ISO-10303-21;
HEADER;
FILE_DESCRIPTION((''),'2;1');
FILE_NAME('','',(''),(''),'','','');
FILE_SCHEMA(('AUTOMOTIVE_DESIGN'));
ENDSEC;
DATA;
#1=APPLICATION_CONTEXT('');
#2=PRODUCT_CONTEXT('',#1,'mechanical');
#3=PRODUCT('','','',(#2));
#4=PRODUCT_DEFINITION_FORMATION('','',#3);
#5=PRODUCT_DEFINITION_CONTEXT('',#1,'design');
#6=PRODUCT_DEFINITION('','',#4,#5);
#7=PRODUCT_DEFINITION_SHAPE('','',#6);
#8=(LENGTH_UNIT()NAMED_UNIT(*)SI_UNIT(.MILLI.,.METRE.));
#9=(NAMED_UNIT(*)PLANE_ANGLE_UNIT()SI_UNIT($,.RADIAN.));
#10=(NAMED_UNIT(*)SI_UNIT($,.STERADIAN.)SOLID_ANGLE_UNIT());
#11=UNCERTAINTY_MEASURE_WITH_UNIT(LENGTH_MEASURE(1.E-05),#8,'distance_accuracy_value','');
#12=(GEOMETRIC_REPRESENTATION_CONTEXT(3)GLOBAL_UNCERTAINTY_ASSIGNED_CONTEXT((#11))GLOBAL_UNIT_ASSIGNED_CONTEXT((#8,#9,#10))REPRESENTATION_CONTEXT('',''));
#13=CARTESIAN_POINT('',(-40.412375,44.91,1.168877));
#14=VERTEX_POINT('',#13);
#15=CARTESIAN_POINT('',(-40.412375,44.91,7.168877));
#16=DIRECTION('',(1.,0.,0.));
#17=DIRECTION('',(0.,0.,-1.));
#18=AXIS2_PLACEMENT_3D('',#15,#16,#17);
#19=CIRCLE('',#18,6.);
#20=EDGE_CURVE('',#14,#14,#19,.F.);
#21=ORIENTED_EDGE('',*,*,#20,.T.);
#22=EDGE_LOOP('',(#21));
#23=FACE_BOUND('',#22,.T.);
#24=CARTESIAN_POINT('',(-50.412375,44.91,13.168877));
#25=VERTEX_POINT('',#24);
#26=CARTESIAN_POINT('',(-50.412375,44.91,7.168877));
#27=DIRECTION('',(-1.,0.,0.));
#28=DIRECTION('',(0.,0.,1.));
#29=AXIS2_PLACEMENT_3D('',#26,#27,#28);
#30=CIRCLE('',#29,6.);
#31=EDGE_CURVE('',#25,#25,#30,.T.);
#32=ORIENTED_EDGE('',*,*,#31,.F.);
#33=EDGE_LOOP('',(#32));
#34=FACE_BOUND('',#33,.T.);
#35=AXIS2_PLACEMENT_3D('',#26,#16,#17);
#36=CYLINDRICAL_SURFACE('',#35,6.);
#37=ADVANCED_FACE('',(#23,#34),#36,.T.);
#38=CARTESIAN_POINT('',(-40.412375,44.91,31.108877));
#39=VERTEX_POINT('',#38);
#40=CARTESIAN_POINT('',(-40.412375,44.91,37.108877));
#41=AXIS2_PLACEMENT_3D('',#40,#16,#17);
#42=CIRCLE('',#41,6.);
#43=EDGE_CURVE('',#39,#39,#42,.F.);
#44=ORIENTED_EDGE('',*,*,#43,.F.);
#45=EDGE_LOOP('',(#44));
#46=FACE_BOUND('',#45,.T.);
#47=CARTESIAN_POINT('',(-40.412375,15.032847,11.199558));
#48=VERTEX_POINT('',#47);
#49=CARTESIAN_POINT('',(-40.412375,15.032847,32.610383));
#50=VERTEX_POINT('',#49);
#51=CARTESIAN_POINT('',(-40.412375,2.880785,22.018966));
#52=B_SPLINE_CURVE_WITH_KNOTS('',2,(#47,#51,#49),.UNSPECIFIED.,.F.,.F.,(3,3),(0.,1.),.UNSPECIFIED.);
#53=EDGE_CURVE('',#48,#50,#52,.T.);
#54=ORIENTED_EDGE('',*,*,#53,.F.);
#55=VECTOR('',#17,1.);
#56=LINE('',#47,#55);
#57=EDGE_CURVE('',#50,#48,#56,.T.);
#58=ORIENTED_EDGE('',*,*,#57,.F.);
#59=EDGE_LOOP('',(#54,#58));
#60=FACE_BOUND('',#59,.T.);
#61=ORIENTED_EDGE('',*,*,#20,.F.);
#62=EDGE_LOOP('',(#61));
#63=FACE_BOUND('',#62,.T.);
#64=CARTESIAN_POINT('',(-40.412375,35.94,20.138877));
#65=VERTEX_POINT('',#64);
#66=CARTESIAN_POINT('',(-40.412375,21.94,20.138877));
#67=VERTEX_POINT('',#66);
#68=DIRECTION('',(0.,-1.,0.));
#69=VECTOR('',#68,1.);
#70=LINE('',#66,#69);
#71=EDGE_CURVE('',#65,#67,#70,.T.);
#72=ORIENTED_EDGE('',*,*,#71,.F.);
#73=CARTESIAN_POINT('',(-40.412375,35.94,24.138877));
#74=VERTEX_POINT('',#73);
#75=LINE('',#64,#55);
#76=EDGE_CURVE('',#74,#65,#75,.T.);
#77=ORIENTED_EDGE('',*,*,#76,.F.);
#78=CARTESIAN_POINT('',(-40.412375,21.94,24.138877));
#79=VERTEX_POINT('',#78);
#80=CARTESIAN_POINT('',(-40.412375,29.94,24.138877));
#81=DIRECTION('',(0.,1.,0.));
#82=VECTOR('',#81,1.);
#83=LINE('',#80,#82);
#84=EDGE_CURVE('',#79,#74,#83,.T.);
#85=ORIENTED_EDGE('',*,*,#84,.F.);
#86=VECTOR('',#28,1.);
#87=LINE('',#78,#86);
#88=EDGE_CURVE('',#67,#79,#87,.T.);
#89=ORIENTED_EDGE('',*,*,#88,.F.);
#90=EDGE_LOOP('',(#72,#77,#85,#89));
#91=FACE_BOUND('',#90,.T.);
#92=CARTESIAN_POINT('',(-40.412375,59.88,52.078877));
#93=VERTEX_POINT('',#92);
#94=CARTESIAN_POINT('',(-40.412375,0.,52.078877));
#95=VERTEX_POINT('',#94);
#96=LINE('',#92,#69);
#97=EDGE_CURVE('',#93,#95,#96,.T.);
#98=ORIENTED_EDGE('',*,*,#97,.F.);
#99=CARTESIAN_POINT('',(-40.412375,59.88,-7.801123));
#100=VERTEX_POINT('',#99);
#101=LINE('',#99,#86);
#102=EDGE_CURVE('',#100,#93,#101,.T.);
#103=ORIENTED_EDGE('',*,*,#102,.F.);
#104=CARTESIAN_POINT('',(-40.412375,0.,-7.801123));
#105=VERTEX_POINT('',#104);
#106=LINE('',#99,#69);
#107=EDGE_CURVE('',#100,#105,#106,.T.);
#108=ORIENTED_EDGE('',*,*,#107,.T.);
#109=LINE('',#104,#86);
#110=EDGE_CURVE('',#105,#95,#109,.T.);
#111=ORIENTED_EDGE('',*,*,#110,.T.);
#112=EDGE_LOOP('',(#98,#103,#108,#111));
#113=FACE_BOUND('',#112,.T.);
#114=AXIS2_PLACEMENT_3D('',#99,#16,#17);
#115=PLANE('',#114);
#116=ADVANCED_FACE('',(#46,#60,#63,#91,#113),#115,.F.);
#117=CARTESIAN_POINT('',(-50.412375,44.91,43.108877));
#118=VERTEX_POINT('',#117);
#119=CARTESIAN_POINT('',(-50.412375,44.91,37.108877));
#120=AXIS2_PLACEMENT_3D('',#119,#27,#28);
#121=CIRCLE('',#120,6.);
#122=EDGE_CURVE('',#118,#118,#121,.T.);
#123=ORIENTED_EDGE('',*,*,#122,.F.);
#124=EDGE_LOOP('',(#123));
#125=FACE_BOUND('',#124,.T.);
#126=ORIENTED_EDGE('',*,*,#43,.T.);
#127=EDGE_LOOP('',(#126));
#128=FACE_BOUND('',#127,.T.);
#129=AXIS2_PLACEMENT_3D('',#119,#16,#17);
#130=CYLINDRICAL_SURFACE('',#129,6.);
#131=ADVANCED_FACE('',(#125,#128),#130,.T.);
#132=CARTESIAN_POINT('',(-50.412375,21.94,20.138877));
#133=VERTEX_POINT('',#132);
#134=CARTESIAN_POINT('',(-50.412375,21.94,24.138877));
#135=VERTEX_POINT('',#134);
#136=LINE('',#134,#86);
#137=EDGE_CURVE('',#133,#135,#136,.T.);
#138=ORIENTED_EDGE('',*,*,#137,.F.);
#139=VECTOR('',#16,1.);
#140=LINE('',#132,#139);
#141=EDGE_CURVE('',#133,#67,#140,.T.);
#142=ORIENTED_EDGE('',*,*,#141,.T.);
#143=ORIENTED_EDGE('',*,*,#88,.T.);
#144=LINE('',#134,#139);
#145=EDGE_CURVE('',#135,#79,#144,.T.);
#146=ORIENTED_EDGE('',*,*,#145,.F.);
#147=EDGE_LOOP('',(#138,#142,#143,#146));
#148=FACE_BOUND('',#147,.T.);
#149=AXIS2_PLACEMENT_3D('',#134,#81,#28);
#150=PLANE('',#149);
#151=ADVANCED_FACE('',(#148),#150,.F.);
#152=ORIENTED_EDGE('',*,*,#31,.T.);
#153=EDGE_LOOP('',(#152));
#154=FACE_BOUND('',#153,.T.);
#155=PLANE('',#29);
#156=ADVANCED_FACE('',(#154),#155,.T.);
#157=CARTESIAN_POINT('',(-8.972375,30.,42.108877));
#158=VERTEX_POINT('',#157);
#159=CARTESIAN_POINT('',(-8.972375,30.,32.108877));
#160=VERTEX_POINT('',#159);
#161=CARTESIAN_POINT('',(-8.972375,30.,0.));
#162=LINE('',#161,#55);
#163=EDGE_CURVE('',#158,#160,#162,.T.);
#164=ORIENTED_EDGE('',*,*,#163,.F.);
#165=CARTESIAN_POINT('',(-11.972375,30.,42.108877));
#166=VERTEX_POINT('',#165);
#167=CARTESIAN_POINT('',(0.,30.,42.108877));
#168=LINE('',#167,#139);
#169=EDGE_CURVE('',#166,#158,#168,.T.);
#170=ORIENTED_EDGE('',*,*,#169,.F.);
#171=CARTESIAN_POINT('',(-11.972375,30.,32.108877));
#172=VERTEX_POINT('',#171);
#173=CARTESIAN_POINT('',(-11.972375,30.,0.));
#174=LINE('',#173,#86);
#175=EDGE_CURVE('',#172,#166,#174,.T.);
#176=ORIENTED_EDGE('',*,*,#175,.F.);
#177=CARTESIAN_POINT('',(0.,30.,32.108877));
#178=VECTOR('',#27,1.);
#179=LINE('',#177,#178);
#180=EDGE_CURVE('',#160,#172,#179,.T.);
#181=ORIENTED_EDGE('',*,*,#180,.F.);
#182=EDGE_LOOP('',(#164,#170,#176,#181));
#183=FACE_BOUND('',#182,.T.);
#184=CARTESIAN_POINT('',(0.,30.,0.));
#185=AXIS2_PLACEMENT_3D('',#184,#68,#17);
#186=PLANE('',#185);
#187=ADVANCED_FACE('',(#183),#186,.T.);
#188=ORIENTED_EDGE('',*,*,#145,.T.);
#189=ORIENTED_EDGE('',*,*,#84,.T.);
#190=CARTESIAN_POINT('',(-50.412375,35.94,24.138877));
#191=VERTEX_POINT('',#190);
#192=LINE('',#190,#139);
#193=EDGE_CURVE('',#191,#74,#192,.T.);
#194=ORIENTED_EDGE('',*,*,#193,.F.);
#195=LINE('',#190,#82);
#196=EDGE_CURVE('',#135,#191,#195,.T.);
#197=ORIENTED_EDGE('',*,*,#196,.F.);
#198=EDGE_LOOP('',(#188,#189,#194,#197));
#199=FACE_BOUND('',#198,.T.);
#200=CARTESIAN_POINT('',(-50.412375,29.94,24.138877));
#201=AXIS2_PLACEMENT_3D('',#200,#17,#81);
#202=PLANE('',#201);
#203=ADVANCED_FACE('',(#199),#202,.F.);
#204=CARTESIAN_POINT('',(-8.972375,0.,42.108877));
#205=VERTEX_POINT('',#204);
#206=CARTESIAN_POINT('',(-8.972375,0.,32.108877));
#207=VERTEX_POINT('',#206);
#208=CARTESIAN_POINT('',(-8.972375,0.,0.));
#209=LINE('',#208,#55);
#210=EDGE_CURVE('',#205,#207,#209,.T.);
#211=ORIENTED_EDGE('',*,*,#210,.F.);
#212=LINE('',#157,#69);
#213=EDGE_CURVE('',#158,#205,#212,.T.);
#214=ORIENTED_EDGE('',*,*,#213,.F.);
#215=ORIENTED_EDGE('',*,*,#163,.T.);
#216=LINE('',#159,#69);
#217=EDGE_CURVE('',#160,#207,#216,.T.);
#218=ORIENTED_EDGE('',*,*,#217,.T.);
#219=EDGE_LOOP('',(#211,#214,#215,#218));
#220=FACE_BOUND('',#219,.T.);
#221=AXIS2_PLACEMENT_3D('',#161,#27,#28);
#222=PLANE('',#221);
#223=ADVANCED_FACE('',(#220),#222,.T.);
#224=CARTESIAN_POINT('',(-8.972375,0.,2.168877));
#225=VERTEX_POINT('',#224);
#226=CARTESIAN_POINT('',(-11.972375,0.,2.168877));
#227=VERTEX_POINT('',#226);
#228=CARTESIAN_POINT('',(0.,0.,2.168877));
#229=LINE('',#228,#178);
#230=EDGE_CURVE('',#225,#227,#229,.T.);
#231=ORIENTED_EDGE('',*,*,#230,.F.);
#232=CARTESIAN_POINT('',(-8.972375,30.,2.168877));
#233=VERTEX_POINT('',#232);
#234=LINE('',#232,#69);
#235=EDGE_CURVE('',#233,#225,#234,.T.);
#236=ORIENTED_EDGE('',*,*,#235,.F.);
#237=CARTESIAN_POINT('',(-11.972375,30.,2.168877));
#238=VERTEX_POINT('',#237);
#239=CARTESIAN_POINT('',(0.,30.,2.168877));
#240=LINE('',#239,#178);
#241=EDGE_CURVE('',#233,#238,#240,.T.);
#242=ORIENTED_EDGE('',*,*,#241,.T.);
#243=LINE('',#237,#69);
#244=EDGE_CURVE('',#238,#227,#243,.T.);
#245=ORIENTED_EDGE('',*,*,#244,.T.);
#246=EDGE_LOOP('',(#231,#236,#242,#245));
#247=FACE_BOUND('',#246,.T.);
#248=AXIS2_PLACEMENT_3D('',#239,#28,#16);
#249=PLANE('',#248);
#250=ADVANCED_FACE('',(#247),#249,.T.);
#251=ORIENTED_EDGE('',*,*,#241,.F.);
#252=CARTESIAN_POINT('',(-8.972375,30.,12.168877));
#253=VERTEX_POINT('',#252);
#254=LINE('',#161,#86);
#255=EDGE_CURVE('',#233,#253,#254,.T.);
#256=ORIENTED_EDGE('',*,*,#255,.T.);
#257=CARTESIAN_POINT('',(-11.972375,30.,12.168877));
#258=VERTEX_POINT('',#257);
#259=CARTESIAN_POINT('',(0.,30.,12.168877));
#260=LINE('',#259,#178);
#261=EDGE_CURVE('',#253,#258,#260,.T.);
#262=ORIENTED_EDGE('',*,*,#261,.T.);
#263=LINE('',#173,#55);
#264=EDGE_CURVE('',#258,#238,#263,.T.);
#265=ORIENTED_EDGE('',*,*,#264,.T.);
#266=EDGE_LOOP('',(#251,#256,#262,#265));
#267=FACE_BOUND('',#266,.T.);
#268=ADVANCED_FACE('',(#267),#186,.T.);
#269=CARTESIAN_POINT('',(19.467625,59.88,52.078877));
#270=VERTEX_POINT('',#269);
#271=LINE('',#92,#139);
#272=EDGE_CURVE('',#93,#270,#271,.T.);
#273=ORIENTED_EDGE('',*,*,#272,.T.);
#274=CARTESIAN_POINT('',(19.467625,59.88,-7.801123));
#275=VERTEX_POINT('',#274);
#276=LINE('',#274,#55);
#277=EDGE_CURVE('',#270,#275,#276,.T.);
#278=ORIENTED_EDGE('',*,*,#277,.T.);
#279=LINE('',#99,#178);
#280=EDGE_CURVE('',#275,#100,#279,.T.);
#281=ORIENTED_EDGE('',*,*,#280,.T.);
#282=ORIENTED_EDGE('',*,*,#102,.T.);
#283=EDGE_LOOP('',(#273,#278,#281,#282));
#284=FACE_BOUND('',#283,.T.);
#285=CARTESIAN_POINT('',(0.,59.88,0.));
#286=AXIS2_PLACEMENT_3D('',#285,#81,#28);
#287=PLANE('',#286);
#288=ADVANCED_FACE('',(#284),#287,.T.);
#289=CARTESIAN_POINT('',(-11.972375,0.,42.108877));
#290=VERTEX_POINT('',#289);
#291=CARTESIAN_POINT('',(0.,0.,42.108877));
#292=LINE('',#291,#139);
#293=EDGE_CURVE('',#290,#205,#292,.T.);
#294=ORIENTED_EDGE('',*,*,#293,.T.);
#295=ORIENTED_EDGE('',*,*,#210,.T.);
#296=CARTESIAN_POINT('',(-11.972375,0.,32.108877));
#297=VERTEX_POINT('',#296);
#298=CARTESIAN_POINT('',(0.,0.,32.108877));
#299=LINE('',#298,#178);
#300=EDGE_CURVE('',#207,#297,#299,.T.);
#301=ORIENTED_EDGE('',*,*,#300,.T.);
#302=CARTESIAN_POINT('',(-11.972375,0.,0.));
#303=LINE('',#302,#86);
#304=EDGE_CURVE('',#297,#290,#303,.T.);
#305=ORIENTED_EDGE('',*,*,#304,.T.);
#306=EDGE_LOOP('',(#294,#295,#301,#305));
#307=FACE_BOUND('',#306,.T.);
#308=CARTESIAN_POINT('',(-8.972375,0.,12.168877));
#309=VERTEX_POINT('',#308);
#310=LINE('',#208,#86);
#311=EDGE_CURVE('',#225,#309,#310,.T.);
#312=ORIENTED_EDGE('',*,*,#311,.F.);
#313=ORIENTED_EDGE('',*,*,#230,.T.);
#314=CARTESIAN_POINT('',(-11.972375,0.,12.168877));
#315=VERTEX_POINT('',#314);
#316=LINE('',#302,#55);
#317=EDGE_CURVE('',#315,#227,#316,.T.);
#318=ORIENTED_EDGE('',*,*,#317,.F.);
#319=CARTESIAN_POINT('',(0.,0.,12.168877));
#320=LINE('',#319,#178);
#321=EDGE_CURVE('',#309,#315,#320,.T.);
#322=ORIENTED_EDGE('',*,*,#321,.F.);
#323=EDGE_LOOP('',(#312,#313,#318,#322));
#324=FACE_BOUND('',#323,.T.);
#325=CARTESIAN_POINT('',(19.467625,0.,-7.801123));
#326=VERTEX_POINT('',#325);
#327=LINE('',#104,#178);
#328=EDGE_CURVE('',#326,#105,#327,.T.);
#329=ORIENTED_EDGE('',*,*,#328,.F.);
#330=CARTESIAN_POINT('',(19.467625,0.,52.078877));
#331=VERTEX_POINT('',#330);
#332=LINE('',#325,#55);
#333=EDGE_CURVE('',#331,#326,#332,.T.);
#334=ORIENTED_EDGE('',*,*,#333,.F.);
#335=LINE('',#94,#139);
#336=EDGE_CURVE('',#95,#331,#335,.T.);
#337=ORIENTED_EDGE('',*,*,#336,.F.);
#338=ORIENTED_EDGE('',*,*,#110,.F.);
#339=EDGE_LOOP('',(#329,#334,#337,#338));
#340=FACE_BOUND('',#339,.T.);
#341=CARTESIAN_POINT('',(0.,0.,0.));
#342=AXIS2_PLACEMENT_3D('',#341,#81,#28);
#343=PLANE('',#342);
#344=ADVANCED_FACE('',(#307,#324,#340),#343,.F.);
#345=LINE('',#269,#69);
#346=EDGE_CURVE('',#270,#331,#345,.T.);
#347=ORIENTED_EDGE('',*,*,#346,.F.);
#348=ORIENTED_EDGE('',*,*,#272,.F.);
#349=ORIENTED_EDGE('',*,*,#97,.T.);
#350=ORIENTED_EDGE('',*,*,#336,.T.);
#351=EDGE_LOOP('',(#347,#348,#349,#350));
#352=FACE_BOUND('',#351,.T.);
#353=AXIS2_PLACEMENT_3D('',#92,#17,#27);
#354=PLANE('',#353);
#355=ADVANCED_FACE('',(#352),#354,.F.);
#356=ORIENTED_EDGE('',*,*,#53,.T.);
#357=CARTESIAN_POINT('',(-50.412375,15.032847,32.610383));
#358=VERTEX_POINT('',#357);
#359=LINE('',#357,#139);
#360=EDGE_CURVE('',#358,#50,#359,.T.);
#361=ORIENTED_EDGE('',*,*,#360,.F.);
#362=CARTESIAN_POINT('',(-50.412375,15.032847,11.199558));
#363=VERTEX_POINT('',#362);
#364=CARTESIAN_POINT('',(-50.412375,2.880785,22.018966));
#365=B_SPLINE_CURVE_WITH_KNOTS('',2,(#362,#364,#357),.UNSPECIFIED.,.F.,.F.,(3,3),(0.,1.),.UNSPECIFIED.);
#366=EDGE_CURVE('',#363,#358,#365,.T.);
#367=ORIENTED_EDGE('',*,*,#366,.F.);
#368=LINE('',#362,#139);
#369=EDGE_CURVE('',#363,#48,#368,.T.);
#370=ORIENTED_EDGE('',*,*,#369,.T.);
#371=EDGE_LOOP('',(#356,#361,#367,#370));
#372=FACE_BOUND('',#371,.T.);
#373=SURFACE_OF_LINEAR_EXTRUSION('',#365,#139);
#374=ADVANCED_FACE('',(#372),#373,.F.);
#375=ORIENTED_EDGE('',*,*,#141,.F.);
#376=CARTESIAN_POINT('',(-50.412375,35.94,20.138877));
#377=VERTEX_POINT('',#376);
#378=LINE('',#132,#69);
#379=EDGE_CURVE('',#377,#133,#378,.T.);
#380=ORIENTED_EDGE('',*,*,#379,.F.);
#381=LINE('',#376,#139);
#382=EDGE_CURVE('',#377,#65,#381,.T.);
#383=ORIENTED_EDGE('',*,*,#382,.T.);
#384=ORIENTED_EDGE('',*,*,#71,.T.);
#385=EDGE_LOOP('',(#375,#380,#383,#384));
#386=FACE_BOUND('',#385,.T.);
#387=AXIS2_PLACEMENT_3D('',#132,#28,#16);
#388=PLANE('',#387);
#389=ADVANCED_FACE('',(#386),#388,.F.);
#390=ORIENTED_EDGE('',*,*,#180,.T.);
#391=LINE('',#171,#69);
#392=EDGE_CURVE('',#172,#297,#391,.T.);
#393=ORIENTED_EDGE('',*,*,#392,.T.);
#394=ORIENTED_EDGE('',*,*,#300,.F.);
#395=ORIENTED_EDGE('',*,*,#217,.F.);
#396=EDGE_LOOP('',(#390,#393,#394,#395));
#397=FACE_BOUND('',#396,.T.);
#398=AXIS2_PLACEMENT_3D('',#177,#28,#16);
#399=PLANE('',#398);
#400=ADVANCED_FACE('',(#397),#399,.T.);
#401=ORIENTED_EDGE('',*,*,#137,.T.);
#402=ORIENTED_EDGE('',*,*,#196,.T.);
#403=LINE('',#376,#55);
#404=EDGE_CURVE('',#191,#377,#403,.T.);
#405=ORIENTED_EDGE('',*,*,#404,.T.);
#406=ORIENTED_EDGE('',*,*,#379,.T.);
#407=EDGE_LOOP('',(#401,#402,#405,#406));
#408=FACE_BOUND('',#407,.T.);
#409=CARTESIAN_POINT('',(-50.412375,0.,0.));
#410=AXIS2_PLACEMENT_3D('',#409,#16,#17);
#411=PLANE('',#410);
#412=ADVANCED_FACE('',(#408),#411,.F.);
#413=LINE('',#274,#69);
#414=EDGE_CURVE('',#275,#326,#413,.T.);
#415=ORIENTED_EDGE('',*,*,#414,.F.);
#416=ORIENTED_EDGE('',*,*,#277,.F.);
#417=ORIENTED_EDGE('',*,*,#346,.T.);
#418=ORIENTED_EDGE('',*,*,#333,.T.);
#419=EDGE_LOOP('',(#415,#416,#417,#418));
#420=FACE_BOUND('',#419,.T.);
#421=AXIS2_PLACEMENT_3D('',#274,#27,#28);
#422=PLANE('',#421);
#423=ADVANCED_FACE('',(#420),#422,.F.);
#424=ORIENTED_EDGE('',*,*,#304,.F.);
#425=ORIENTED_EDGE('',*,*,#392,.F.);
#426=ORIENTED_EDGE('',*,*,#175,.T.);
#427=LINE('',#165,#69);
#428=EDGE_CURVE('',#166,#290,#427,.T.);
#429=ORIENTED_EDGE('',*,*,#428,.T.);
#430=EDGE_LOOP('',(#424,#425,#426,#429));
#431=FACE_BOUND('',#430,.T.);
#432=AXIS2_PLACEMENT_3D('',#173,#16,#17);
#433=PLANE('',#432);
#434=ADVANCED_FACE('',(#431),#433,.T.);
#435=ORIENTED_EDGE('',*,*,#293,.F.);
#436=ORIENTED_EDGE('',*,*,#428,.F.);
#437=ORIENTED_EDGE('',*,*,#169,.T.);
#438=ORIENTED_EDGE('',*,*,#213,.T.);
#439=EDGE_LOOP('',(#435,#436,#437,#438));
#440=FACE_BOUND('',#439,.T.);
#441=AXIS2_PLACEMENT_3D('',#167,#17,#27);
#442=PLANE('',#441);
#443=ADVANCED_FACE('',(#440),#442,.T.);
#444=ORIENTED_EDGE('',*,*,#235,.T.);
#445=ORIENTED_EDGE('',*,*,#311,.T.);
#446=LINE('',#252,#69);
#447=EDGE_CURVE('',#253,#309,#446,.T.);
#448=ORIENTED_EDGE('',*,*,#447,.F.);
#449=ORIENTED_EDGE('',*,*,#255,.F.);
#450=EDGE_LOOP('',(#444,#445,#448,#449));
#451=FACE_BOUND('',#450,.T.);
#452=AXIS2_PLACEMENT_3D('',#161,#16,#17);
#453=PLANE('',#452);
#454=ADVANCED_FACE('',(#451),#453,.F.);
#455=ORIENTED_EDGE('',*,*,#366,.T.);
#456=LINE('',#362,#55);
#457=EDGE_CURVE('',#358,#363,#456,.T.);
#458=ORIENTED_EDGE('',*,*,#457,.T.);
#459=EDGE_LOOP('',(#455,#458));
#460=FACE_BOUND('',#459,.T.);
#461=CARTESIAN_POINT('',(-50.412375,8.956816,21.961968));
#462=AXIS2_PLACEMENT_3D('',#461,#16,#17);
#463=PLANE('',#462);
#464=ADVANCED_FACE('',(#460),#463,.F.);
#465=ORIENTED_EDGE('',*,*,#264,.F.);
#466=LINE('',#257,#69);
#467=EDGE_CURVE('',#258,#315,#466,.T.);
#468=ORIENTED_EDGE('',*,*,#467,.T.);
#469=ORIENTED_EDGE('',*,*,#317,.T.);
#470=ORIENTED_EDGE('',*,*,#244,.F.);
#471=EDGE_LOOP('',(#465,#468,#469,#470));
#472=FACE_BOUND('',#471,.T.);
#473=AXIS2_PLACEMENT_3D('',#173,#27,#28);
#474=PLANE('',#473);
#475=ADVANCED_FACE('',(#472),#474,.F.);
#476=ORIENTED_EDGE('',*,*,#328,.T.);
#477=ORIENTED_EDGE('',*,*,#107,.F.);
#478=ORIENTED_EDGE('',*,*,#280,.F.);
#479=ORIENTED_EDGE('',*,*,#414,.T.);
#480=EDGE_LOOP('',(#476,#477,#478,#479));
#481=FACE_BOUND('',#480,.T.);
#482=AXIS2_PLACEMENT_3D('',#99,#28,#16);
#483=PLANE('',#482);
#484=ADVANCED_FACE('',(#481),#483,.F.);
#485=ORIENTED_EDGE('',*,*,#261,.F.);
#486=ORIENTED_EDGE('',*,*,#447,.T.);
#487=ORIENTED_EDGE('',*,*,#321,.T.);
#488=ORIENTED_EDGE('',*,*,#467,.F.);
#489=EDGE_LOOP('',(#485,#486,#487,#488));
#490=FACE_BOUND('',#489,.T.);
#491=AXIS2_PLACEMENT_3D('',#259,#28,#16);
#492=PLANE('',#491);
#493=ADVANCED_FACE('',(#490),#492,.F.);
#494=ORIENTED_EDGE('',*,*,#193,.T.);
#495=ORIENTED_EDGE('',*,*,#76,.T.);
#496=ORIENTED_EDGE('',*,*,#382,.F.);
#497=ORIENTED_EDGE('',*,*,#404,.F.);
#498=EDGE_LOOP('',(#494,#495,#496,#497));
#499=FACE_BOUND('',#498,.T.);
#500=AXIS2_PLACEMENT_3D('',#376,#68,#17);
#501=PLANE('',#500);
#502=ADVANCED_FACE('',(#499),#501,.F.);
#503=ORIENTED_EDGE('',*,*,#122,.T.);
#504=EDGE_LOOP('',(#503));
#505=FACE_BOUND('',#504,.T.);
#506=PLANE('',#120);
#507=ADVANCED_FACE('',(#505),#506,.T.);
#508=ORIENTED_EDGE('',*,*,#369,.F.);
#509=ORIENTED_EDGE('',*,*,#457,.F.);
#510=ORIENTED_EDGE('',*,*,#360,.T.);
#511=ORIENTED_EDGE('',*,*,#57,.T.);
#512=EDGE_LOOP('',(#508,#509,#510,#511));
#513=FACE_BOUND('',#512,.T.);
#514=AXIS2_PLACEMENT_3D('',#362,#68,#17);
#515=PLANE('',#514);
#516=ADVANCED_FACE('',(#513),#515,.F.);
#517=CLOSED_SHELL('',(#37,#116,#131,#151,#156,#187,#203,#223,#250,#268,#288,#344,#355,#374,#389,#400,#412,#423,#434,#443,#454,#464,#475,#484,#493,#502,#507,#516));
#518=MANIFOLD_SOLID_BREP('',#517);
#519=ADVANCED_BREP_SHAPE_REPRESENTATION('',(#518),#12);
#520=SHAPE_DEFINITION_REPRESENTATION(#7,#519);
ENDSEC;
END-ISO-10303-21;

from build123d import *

# Parameters (mm, degrees)
SKETCH1_W           = 59.88
SKETCH1_H           = 59.88
BOSS_EXTRUDE1_DEPTH = 59.88
CUT_EXTRUDE1_DEPTH  = 30
SKETCH4_R           = 6
BOSS_EXTRUDE3_DEPTH = 10
BOSS_EXTRUDE4_DEPTH = 10


with BuildPart() as part:
    # Sketch1 → Boss-Extrude1 (new body)
    with BuildSketch(Plane(origin=(0, 0, 0), x_dir=(1, 0, 0), z_dir=(0, 1, 0))):
        with Locations((-10.472375433, -22.138876894)):
            Rectangle(SKETCH1_W, SKETCH1_H)
    extrude(amount=BOSS_EXTRUDE1_DEPTH)

    # Sketch2 → Cut-Extrude1 (cut)
    with BuildSketch(Plane.XZ):
        Polygon((-10.472375433, 2.168876894), (-10.472375433, 7.168876894), (-10.472375433, 12.168876894), (-11.972375433, 12.168876894), (-11.972375433, 2.168876894), align=None)
        Polygon((-10.472375433, 12.168876894), (-10.472375433, 7.168876894), (-10.472375433, 2.168876894), (-8.972375433, 2.168876894), (-8.972375433, 12.168876894), align=None)
        Polygon((-8.972375433, 32.108876894), (-10.472375433, 32.108876894), (-11.972375433, 32.108876894), (-11.972375433, 42.108876894), (-8.972375433, 42.108876894), align=None)
    extrude(amount=-CUT_EXTRUDE1_DEPTH, mode=Mode.SUBTRACT)

    # Sketch4 → Boss-Extrude3 (add)
    with BuildSketch(Plane.ZY.offset(40.412375433)):
        with Locations(Location((7.168876894, 44.91, 0), (0, 0, 180))):
            Circle(SKETCH4_R)
        with Locations(Location((37.108876894, 44.91, 0), (0, 0, 180))):
            Circle(SKETCH4_R)
    extrude(amount=BOSS_EXTRUDE3_DEPTH)

    # Sketch5 → Boss-Extrude4 (add)
    with BuildSketch(Plane.ZY.offset(40.412375433)):
        Polygon((20.138876894, 21.94), (20.138876894, 35.94), (24.138876894, 35.94), (24.138876894, 29.94), (24.138876894, 21.94), align=None)
        with BuildLine():
            Line((11.199558119, 15.032847323), (32.61038324, 15.032847323))
            add(Edge.make_bspline(
                [(11.199558119, 15.032847323), (22.018966273, 2.880785428), (32.61038324, 15.032847323)],
                knots=[0, 0, 0, 1, 1, 1], degree=2))
        make_face()
    extrude(amount=BOSS_EXTRUDE4_DEPTH)


solid = part.part
